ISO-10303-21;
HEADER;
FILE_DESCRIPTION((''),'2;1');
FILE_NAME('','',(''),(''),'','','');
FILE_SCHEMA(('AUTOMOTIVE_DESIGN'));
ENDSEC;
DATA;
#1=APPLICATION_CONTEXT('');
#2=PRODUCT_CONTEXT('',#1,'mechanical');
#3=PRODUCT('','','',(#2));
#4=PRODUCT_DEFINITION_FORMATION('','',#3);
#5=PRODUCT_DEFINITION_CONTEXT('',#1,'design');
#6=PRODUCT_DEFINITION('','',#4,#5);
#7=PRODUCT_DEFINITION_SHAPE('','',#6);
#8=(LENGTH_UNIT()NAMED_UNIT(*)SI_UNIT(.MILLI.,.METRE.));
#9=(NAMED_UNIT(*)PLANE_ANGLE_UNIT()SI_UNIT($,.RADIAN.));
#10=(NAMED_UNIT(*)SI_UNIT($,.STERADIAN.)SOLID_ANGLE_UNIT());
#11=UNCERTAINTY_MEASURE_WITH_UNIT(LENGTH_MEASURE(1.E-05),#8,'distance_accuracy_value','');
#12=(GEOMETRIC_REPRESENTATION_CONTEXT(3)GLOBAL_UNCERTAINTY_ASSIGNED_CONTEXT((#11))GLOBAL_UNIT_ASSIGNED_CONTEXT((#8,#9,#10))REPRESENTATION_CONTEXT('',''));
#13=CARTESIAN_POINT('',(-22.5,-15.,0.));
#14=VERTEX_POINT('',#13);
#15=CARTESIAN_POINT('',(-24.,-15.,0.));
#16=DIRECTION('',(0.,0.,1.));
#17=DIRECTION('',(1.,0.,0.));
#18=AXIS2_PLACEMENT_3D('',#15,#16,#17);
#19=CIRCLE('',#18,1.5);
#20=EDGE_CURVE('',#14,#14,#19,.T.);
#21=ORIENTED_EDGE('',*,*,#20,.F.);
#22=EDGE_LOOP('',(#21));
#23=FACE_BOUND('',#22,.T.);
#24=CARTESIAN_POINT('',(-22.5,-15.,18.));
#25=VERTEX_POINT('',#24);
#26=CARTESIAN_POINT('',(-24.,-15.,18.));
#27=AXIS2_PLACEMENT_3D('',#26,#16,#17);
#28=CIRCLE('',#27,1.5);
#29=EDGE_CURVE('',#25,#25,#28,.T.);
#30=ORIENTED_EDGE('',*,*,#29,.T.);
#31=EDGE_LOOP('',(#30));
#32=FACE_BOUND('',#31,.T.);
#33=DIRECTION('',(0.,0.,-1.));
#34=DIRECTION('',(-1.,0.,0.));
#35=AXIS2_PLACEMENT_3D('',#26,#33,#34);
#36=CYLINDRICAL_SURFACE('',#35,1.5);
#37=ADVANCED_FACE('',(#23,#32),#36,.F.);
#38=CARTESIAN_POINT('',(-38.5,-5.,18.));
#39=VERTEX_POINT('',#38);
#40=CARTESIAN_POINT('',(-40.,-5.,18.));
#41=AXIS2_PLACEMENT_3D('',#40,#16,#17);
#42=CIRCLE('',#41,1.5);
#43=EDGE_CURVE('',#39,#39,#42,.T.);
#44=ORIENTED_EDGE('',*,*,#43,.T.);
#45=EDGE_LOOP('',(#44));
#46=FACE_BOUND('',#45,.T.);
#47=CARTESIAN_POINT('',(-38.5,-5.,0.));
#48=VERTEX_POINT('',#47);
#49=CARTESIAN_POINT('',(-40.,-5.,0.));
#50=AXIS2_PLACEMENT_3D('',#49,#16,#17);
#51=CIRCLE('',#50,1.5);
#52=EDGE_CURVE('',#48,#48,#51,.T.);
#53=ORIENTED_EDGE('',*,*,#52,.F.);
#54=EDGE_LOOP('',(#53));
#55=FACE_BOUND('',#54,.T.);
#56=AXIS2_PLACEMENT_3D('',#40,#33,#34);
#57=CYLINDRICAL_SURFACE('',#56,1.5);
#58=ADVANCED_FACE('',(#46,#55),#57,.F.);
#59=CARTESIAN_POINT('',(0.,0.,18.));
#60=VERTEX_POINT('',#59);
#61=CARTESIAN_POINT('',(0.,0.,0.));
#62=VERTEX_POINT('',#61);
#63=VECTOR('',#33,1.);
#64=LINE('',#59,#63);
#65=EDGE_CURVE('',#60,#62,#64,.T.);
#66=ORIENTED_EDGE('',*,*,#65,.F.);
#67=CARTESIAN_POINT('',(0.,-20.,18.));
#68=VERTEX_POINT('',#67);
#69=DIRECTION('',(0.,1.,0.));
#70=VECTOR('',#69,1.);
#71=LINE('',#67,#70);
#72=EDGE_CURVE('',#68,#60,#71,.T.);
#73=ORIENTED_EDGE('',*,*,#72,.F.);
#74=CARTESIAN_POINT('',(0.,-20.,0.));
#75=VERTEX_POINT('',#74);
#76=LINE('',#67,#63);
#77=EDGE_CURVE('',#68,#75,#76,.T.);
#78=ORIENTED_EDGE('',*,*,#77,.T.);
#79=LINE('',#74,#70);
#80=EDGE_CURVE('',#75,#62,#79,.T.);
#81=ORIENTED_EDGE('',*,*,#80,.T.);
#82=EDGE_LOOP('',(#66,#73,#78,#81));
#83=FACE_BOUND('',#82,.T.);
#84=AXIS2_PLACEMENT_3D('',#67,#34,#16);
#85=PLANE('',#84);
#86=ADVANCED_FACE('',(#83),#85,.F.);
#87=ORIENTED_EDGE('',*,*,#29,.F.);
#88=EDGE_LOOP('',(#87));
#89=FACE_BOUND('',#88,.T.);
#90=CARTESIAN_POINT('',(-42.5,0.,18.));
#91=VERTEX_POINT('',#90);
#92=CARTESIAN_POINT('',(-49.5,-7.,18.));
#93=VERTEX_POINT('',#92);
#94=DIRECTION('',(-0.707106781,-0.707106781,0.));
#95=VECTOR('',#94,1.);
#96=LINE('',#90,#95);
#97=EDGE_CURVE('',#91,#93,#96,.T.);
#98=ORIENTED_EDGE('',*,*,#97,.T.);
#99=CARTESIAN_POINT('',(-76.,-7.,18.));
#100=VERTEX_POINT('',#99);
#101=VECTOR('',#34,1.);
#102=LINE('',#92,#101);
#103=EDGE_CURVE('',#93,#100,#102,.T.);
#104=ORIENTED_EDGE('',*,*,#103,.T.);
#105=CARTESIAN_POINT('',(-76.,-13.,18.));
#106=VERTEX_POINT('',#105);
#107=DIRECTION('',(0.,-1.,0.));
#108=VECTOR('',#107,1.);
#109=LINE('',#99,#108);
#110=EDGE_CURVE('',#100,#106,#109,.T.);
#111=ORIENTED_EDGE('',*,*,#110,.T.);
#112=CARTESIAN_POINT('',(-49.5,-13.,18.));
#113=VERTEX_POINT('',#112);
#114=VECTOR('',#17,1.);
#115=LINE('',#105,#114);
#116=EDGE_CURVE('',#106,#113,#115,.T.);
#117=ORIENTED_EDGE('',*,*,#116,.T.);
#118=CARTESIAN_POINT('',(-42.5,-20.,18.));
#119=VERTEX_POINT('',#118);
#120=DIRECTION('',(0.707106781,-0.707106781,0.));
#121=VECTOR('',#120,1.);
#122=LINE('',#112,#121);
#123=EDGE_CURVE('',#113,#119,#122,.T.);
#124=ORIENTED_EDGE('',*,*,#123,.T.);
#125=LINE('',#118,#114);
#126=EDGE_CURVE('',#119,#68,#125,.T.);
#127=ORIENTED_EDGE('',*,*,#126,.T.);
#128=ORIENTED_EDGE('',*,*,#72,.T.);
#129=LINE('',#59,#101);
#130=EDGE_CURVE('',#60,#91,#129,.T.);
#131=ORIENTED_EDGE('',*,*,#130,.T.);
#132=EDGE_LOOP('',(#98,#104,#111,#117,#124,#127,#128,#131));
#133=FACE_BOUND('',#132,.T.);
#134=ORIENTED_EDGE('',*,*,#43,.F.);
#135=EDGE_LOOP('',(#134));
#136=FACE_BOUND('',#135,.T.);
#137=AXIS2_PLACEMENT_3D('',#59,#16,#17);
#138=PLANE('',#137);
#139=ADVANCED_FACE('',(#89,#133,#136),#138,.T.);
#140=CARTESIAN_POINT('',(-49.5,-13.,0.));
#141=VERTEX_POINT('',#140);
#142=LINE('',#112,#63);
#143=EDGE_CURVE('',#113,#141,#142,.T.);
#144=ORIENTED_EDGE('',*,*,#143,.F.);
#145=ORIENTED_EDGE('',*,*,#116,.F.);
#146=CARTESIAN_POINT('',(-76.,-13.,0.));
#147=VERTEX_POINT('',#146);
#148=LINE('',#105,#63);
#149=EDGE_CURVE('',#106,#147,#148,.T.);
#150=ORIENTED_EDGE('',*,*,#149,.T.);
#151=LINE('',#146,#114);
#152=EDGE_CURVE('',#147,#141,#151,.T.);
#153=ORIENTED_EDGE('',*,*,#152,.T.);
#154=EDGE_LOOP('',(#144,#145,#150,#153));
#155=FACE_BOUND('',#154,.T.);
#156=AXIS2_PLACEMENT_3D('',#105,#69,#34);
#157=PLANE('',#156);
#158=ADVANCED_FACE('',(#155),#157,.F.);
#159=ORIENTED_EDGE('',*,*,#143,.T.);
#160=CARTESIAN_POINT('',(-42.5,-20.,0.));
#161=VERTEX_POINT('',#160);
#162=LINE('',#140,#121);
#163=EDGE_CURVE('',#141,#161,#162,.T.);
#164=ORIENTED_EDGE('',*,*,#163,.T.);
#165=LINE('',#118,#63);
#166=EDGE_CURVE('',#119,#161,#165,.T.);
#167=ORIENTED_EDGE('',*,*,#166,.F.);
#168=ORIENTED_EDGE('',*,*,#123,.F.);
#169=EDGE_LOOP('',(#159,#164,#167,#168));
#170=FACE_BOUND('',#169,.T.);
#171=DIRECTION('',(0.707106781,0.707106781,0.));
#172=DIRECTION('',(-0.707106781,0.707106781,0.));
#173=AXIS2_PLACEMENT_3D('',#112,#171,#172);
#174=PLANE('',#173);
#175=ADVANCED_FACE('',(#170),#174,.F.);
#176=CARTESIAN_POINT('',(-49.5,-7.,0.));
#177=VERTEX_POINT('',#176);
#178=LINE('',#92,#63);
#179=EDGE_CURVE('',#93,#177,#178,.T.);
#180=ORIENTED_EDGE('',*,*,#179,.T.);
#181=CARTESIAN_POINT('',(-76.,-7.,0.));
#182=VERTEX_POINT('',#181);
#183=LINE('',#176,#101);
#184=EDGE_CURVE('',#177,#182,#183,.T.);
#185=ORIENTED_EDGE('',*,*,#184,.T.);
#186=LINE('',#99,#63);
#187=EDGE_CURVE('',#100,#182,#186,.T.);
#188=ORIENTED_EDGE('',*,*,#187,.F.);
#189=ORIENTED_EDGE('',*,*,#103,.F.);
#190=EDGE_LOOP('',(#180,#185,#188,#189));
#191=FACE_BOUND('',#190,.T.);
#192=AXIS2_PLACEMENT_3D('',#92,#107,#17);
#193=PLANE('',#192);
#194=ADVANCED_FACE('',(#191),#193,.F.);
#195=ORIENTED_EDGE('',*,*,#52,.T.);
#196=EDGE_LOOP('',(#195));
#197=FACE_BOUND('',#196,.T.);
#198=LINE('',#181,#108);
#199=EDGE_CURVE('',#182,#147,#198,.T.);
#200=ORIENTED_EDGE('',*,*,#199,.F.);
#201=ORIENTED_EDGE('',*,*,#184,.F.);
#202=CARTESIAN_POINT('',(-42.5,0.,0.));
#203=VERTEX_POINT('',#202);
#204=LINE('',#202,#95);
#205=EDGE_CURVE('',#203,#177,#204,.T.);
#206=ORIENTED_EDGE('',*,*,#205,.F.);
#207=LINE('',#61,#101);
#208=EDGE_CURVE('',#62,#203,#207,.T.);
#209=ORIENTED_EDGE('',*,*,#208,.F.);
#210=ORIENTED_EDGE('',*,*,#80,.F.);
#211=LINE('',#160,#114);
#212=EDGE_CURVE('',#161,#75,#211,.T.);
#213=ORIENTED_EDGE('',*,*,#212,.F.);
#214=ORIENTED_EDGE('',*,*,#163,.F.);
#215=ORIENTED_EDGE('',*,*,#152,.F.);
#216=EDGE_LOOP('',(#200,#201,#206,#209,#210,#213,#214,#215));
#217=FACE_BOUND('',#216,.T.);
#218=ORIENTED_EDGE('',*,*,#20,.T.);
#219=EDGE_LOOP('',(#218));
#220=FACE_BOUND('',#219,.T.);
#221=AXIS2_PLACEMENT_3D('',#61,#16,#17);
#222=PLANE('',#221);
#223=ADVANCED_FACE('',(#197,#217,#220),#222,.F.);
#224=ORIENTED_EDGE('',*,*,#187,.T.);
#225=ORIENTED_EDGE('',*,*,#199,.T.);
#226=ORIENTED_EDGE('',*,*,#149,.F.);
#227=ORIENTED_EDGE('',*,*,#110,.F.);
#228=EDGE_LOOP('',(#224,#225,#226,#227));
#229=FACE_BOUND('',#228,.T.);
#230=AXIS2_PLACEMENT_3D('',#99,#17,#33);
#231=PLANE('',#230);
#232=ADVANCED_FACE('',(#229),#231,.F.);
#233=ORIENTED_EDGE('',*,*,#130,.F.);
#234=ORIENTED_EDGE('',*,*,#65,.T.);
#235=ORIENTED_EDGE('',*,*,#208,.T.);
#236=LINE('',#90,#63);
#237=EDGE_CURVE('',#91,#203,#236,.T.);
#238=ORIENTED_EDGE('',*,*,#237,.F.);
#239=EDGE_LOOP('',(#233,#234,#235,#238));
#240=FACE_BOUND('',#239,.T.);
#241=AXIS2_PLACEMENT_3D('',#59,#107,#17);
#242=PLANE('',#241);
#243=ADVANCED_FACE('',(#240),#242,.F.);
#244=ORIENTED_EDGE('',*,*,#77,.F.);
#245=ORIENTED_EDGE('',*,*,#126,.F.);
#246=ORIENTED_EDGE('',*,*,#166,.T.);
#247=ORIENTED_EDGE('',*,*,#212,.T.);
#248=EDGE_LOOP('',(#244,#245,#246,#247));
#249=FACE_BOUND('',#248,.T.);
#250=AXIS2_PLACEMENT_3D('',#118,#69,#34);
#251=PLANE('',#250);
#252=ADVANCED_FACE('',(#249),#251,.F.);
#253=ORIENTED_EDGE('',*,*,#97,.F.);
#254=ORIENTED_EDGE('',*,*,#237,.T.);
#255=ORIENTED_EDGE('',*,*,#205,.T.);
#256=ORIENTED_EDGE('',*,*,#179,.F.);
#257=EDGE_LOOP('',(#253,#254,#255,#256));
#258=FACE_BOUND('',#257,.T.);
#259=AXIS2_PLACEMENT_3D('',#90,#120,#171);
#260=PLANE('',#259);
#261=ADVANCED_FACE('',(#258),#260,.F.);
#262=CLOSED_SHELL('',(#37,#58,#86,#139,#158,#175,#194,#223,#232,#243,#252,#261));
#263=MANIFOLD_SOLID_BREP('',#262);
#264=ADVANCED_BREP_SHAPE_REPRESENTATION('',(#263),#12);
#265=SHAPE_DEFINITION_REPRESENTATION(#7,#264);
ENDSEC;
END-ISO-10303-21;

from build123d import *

# Parameters (mm, degrees)
SKIZZE1_R                       = 1.5
AUFSATZ_LINEAR_AUSTRAGEN1_DEPTH = 18


with BuildPart() as part:
    # Skizze1 → Aufsatz-Linear austragen1 (new body)
    with BuildSketch(Plane.XY):
        Polygon((-76, -7), (-76, -13), (-49.5, -13), (-42.5, -20), (0, -20), (0, 0), (-42.5, 0), (-49.5, -7), align=None)
        with Locations((-40, -5)):
            Circle(SKIZZE1_R, mode=Mode.SUBTRACT)
        with Locations((-24, -15)):
            Circle(SKIZZE1_R, mode=Mode.SUBTRACT)
    extrude(amount=AUFSATZ_LINEAR_AUSTRAGEN1_DEPTH)


solid = part.part
